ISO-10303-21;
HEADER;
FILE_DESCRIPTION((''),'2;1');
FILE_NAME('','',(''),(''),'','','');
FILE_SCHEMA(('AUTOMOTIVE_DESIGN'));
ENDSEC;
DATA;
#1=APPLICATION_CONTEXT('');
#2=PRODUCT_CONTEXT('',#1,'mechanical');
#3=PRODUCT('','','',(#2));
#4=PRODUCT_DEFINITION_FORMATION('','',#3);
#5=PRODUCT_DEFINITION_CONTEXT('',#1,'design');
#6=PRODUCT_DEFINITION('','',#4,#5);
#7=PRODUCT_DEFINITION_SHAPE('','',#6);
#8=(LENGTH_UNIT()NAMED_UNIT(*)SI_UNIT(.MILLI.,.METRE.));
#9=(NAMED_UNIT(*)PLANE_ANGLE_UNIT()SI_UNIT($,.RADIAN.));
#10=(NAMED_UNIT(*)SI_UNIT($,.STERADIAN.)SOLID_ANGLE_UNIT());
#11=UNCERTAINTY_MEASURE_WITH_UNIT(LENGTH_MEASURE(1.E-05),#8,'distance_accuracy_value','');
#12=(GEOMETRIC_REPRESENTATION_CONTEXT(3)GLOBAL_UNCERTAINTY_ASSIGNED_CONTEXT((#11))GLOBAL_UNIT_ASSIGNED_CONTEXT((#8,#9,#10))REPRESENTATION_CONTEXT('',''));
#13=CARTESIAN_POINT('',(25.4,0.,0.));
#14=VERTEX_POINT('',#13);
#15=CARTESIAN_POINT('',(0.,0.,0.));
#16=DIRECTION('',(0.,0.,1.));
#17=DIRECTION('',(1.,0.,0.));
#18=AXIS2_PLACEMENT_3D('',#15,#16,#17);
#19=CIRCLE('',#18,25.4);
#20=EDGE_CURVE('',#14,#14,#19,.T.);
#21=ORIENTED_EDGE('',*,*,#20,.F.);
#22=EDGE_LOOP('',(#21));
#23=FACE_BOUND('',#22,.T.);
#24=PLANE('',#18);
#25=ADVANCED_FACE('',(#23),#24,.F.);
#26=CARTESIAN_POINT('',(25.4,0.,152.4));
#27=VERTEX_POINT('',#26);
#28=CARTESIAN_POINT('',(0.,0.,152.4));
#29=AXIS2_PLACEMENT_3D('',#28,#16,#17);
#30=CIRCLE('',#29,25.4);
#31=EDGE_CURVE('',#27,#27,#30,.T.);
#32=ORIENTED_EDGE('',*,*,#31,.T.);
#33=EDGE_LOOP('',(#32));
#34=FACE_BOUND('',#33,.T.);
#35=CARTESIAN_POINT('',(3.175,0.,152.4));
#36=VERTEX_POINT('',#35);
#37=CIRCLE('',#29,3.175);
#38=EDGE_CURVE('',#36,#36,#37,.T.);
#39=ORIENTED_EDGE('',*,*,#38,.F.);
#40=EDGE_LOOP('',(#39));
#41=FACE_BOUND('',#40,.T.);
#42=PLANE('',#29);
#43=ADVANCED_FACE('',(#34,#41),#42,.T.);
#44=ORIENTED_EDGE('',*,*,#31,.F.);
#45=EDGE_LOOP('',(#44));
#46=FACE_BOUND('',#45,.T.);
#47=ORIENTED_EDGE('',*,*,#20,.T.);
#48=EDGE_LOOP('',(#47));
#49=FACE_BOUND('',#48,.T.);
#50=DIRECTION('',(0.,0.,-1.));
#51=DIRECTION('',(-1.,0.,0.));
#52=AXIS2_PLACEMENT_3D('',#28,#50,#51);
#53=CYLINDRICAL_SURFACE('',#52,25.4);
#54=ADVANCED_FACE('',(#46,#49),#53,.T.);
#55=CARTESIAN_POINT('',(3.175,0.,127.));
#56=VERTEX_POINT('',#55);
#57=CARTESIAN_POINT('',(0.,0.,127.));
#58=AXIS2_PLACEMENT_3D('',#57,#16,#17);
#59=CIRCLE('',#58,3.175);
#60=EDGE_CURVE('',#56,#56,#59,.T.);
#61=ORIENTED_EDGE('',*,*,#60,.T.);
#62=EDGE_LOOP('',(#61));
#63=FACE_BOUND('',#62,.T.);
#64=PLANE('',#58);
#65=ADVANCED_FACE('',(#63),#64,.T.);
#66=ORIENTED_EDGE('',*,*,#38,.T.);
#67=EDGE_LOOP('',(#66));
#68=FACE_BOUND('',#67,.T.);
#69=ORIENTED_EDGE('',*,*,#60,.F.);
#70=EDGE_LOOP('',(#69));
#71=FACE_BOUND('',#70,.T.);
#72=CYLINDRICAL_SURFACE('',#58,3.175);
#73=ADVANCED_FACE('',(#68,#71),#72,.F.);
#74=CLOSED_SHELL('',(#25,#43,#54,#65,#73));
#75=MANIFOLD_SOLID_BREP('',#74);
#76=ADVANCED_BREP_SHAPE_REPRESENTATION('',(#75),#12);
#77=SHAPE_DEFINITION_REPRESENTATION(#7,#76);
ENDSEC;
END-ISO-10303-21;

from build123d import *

# Parameters (mm, degrees)
SKETCH3_R           = 25.4
BOSS_EXTRUDE1_DEPTH = 152.4
SKETCH4_R           = 3.175
CUT_EXTRUDE1_DEPTH  = 25.4


with BuildPart() as part:
    # Sketch3 → Boss-Extrude1 (new body)
    with BuildSketch(Plane.XY):
        Circle(SKETCH3_R)
    extrude(amount=BOSS_EXTRUDE1_DEPTH)

    # Sketch4 → Cut-Extrude1 (cut)
    with BuildSketch(Plane.XY.offset(152.4)):
        Circle(SKETCH4_R)
    extrude(amount=-CUT_EXTRUDE1_DEPTH, mode=Mode.SUBTRACT)


solid = part.part
